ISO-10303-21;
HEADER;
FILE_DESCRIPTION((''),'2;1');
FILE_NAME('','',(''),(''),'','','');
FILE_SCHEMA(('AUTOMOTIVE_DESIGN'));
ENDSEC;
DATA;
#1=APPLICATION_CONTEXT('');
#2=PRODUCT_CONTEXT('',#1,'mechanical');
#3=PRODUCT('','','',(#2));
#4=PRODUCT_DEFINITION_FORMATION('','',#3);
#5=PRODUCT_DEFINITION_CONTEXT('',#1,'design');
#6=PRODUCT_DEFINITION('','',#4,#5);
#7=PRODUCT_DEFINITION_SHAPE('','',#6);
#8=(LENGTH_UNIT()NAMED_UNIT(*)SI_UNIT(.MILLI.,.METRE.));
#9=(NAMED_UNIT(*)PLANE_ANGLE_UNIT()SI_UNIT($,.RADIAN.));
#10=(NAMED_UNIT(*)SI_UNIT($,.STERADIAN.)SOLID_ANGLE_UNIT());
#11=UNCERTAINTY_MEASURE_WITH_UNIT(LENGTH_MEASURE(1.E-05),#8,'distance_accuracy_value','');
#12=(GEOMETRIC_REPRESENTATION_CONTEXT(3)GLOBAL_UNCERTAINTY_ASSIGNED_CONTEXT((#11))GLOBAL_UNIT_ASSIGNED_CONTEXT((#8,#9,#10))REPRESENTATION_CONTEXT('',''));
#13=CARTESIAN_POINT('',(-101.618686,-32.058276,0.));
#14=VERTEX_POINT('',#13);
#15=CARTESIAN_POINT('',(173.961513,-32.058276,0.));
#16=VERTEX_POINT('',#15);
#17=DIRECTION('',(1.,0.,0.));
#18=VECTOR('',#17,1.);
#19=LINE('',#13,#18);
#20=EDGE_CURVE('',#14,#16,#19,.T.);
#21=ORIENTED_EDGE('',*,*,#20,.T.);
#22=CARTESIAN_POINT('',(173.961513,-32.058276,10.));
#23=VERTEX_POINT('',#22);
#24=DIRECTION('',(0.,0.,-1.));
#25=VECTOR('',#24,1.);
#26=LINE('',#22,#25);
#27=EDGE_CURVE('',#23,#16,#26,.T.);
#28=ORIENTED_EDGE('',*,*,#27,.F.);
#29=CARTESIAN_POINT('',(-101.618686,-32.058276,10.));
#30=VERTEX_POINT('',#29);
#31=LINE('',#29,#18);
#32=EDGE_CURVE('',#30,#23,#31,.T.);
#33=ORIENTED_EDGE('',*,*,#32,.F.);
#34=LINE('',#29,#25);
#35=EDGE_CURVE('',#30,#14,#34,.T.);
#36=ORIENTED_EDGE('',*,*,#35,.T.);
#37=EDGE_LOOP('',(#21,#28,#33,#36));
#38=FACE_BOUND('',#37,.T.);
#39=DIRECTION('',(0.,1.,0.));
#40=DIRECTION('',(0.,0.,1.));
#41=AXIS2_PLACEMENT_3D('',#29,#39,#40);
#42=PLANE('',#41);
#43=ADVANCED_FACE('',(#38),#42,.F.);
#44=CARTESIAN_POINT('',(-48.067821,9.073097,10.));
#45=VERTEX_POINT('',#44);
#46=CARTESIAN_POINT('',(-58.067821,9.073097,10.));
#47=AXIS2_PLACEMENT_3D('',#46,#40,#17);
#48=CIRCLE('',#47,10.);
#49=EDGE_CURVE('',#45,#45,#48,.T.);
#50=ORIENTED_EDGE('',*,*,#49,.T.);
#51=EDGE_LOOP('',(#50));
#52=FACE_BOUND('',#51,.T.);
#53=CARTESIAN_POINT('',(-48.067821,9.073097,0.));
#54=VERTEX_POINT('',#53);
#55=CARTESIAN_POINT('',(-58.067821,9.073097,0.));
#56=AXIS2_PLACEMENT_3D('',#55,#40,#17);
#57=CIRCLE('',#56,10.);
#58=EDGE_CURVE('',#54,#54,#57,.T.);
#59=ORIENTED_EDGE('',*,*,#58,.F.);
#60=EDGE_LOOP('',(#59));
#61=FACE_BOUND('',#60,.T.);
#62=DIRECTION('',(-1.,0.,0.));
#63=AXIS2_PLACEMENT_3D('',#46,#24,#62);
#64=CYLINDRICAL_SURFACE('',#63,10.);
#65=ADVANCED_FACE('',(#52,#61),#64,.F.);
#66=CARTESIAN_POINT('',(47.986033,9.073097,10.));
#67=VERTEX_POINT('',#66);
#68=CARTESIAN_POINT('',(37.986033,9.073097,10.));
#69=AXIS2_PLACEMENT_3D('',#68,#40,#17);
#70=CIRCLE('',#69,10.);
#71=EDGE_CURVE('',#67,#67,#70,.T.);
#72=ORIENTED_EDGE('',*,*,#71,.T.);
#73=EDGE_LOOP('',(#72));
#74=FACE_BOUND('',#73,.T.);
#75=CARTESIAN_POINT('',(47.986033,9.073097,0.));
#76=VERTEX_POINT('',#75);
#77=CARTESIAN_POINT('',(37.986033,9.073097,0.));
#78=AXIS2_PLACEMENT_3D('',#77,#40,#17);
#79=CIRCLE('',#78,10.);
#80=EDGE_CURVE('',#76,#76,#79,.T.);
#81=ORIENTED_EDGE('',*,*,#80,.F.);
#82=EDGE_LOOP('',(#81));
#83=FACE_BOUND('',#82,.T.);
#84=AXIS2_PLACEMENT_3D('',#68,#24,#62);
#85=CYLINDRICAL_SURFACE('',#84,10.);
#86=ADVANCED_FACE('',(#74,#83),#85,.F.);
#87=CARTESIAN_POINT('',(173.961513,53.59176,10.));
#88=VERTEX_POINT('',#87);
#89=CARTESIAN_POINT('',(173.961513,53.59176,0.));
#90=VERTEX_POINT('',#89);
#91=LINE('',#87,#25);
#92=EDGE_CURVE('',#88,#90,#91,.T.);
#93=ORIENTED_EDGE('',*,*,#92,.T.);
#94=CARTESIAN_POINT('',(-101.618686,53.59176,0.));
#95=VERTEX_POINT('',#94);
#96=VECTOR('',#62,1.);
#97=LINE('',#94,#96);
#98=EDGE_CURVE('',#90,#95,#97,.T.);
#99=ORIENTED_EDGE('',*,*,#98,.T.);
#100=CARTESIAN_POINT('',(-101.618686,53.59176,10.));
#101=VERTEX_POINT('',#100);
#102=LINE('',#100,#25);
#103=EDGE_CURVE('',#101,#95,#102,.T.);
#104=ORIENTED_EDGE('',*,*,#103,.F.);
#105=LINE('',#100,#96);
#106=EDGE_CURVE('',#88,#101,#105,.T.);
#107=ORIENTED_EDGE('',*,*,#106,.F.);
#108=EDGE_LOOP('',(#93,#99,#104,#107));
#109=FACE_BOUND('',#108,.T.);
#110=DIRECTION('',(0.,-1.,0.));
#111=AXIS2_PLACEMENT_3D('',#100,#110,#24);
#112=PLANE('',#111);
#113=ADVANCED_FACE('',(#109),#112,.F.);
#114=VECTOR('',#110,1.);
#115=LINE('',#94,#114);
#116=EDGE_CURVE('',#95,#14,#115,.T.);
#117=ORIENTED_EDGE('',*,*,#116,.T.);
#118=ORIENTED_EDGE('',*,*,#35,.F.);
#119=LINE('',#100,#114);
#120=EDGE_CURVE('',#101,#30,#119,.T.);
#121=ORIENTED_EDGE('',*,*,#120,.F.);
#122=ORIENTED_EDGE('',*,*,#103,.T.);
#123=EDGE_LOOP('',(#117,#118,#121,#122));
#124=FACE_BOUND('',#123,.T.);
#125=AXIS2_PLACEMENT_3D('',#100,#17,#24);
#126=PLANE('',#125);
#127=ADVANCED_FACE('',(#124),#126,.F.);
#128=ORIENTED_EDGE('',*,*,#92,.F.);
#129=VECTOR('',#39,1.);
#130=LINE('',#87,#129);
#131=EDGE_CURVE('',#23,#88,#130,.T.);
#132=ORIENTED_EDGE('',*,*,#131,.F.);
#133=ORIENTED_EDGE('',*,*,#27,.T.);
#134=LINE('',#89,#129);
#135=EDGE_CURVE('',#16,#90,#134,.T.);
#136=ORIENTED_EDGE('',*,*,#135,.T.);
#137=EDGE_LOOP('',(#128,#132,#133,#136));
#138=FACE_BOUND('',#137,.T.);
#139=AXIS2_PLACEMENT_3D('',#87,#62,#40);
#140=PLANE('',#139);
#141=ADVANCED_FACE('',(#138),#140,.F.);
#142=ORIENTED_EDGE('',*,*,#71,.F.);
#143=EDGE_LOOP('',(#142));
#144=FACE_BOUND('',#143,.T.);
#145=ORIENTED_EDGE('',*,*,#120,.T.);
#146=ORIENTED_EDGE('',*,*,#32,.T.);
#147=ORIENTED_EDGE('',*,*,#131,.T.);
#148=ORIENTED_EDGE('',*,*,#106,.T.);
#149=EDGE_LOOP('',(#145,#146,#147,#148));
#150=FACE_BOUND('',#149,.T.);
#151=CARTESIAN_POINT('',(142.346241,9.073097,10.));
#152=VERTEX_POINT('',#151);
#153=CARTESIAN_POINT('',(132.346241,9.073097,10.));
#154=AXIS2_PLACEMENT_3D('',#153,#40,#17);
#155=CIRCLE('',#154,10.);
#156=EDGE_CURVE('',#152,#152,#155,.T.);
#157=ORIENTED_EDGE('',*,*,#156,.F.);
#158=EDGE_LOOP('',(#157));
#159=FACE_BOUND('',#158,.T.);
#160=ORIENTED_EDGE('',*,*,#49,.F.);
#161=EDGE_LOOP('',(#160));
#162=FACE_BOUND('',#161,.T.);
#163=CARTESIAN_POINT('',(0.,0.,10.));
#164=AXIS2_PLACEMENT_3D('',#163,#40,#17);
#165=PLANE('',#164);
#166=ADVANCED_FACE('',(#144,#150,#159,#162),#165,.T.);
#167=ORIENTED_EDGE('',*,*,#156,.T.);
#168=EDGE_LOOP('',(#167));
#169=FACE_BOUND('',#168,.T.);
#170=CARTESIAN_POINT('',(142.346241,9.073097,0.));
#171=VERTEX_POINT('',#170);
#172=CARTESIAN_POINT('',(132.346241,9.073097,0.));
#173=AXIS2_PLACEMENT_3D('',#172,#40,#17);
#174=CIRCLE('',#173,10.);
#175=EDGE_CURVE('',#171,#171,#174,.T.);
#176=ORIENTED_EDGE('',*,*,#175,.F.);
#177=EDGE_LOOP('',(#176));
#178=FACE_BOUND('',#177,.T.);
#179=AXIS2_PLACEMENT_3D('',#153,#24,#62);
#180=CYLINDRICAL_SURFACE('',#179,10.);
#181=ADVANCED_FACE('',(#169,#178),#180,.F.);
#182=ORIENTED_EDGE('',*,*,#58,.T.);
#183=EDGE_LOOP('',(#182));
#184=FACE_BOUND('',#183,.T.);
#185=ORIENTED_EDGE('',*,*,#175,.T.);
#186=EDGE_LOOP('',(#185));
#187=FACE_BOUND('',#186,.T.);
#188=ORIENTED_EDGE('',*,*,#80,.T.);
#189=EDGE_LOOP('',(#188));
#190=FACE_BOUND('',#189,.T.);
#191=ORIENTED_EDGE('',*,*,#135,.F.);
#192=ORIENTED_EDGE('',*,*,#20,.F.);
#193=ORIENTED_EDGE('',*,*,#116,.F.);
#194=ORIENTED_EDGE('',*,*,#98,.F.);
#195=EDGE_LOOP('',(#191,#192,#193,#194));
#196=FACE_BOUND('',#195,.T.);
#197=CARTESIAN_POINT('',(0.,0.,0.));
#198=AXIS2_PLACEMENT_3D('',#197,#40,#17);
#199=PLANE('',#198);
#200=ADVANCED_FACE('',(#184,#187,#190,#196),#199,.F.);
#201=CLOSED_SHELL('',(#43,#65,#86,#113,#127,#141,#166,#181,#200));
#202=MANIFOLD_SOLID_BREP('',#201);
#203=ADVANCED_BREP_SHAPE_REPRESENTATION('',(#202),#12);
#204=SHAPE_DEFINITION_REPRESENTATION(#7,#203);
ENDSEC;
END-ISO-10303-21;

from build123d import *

# Parameters (mm, degrees)
SKETCH1_W           = 275.580198982
SKETCH1_H           = 85.650035504
SKETCH1_R           = 10
BOSS_EXTRUDE1_DEPTH = 10


with BuildPart() as part:
    # Sketch1 → Boss-Extrude1 (new body)
    with BuildSketch(Plane.XY):
        with Locations((36.171413299, 10.766741751)):
            Rectangle(SKETCH1_W, SKETCH1_H)
        with Locations((-58.067820681, 9.073096981)):
            Circle(SKETCH1_R, mode=Mode.SUBTRACT)
        with Locations((37.986032695, 9.073096981)):
            Circle(SKETCH1_R, mode=Mode.SUBTRACT)
        with Locations((132.346241302, 9.073096981)):
            Circle(SKETCH1_R, mode=Mode.SUBTRACT)
    extrude(amount=BOSS_EXTRUDE1_DEPTH)


solid = part.part
